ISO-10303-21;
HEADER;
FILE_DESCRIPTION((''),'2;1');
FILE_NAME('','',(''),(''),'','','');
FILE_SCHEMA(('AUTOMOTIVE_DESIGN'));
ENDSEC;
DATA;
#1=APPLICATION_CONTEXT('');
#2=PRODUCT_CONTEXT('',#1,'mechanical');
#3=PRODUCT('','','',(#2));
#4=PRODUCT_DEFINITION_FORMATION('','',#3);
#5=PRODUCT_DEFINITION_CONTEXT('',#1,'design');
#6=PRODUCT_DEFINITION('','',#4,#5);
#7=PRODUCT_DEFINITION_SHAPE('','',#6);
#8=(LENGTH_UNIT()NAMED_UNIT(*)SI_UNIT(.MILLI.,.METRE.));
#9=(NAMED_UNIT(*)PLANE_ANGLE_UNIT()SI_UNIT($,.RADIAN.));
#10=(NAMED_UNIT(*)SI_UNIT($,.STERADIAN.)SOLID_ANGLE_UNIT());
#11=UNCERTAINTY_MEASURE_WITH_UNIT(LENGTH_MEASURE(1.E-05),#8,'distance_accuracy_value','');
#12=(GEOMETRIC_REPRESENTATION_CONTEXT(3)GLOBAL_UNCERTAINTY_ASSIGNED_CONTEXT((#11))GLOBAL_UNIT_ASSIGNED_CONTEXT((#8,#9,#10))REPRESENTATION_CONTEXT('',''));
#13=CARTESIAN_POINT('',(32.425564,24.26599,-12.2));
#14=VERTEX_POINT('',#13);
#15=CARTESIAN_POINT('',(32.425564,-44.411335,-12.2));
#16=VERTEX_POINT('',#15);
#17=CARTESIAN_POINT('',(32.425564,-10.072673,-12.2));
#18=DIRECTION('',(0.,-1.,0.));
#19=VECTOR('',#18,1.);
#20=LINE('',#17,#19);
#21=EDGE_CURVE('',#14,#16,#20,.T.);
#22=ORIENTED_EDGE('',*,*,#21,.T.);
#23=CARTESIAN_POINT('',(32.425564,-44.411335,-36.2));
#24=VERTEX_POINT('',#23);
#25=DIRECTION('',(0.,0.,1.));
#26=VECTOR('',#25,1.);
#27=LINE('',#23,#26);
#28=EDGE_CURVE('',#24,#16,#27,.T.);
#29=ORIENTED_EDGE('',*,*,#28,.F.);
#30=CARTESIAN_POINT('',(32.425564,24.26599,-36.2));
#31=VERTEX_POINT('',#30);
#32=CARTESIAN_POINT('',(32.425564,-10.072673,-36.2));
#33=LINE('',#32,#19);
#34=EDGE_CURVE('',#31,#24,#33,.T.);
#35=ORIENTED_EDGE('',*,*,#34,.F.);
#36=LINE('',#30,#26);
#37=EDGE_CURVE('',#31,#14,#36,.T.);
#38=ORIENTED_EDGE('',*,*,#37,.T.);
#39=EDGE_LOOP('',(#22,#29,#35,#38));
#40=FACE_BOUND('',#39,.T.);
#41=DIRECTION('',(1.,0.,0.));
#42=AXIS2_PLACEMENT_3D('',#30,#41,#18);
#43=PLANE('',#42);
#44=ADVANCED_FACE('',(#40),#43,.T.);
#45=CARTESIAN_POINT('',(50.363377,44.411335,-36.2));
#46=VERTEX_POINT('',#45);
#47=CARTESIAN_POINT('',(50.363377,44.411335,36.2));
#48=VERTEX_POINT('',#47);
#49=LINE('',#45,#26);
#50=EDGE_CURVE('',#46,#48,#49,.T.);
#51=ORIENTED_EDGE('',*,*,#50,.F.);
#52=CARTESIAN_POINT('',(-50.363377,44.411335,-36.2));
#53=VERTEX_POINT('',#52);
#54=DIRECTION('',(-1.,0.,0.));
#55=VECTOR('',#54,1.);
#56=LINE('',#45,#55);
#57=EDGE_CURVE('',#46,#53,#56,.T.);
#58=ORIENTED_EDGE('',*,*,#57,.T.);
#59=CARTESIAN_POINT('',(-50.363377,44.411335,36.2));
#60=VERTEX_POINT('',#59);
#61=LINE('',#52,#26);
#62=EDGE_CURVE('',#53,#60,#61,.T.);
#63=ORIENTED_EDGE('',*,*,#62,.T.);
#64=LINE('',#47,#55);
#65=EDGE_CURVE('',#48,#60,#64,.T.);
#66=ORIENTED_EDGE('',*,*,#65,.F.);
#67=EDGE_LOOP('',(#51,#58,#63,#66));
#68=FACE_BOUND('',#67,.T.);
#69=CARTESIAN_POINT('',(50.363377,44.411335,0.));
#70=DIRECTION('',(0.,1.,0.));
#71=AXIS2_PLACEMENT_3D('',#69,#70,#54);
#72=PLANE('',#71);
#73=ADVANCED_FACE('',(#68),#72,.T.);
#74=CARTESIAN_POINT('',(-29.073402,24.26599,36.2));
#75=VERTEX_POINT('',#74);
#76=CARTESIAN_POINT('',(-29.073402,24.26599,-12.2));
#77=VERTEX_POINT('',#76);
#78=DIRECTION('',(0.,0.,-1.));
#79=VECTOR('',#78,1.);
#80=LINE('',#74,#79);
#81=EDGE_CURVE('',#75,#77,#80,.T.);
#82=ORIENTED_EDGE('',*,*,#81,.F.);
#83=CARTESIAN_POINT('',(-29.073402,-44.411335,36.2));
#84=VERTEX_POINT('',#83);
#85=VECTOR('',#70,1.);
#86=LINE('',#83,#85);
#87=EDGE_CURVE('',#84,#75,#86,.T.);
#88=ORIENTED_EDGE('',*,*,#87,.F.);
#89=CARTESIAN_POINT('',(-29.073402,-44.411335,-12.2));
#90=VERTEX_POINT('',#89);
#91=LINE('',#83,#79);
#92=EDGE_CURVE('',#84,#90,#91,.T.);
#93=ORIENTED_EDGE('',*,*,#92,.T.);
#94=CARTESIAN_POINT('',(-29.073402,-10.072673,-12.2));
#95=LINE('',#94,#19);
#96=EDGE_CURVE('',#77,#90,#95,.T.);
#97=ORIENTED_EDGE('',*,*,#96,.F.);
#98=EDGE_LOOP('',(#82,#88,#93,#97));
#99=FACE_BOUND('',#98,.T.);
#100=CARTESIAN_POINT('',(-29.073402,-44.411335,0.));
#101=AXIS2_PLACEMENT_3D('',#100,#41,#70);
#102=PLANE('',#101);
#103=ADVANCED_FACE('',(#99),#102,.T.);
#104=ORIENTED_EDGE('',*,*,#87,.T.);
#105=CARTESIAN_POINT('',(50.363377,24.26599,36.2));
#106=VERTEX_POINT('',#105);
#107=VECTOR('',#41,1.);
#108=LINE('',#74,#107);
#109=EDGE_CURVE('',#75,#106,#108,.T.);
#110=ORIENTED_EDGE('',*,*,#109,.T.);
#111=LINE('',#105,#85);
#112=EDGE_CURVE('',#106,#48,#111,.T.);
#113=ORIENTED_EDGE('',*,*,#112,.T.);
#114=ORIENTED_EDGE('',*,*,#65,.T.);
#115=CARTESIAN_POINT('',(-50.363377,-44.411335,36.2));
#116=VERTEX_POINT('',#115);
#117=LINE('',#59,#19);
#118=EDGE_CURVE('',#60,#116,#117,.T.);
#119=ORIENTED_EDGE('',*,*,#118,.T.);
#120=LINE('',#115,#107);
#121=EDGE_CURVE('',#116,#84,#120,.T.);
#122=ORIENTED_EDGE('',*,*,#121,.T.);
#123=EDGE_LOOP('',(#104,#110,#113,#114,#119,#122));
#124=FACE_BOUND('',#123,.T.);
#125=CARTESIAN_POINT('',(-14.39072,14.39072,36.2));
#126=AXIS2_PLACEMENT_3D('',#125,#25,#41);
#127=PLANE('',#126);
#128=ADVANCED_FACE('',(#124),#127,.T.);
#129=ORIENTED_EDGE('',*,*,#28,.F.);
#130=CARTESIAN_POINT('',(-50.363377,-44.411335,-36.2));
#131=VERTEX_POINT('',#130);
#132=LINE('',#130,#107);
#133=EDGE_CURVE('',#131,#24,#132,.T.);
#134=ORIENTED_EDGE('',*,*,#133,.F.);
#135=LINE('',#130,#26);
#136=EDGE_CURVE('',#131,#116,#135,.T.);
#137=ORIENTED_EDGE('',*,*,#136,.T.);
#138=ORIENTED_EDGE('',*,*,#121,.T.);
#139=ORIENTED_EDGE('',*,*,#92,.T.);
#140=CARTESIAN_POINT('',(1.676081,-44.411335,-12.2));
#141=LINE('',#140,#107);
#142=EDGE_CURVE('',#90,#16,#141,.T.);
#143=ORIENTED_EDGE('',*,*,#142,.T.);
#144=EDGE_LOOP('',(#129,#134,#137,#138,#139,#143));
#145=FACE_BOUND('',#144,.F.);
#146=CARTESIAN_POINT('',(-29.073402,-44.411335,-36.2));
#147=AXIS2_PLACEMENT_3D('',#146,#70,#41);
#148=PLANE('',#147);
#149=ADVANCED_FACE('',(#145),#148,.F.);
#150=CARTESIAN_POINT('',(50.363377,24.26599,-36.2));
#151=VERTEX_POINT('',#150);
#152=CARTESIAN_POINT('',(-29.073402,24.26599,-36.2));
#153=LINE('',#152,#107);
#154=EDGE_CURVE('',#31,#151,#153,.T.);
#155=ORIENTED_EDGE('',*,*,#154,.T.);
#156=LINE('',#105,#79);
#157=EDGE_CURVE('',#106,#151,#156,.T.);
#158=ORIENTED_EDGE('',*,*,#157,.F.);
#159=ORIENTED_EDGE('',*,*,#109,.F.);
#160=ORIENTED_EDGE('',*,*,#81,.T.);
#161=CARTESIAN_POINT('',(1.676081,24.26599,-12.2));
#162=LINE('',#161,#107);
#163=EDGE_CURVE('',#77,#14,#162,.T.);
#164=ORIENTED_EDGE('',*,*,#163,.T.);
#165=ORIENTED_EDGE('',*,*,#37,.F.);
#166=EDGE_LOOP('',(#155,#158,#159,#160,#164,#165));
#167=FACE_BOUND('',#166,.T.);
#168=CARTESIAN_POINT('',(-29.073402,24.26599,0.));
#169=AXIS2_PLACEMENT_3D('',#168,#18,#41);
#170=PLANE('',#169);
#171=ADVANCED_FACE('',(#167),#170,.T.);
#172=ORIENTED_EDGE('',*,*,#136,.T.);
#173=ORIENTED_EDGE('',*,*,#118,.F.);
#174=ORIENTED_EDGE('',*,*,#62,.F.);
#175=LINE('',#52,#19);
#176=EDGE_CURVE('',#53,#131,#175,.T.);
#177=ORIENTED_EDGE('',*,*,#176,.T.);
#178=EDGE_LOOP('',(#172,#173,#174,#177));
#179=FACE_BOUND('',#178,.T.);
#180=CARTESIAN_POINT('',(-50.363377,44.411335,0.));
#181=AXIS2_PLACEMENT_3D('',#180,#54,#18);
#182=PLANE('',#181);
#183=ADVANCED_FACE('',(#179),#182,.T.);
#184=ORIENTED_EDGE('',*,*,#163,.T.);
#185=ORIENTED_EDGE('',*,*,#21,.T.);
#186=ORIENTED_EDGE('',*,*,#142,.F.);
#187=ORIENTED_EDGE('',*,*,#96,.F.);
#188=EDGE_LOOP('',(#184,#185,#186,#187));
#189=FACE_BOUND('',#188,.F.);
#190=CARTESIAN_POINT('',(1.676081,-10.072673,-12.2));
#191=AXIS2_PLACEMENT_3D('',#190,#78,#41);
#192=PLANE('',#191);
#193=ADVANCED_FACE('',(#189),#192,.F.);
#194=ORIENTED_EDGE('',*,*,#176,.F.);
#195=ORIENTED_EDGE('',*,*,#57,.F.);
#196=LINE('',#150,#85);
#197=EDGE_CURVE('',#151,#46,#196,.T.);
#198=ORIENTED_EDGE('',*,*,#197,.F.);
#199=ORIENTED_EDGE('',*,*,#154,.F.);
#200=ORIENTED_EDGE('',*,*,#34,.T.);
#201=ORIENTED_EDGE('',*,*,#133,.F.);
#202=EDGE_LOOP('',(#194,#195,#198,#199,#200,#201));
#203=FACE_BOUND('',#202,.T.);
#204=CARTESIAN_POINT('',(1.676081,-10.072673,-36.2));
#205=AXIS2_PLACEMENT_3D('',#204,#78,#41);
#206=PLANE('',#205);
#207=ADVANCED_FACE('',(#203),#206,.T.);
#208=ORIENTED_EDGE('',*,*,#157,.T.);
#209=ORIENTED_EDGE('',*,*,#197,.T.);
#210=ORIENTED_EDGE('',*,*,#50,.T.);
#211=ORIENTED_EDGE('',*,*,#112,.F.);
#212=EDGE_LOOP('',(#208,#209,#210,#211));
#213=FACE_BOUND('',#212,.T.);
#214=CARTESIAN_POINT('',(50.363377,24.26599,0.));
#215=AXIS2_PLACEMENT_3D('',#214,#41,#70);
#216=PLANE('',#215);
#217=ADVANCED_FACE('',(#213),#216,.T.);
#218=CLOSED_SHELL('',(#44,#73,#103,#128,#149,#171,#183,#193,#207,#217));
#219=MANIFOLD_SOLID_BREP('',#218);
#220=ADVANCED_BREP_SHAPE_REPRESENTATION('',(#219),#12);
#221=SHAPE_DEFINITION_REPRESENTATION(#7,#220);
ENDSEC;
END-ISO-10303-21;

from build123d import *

# Parameters (mm, degrees)
F1_DEPTH = 36.2
F2_W     = 61.498966068
F2_H     = 68.6773248017
F3_DEPTH = 24


with BuildPart() as f1:
    # F0 (on Top) → F1 (new body, symmetric)
    with BuildSketch(Plane.XY):
        Polygon((50.3633767366, 24.2659896612), (50.3633767366, 44.4113351405), (-50.3633767366, 44.4113351405), (-50.3633767366, -44.4113351405), (-29.0734022856, -44.4113351405), (-29.0734022856, 24.2659896612), align=None)
    extrude(amount=F1_DEPTH, both=True)

    # F2 (on face) → F3 (join)
    with BuildSketch(Plane(origin=(0, 0, -36.2), x_dir=(1, 0, 0), z_dir=(0, 0, -1))):
        with Locations((1.6760807484, 10.0726727396)):
            Rectangle(F2_W, F2_H)
    extrude(amount=-F3_DEPTH)


solid = f1.part
